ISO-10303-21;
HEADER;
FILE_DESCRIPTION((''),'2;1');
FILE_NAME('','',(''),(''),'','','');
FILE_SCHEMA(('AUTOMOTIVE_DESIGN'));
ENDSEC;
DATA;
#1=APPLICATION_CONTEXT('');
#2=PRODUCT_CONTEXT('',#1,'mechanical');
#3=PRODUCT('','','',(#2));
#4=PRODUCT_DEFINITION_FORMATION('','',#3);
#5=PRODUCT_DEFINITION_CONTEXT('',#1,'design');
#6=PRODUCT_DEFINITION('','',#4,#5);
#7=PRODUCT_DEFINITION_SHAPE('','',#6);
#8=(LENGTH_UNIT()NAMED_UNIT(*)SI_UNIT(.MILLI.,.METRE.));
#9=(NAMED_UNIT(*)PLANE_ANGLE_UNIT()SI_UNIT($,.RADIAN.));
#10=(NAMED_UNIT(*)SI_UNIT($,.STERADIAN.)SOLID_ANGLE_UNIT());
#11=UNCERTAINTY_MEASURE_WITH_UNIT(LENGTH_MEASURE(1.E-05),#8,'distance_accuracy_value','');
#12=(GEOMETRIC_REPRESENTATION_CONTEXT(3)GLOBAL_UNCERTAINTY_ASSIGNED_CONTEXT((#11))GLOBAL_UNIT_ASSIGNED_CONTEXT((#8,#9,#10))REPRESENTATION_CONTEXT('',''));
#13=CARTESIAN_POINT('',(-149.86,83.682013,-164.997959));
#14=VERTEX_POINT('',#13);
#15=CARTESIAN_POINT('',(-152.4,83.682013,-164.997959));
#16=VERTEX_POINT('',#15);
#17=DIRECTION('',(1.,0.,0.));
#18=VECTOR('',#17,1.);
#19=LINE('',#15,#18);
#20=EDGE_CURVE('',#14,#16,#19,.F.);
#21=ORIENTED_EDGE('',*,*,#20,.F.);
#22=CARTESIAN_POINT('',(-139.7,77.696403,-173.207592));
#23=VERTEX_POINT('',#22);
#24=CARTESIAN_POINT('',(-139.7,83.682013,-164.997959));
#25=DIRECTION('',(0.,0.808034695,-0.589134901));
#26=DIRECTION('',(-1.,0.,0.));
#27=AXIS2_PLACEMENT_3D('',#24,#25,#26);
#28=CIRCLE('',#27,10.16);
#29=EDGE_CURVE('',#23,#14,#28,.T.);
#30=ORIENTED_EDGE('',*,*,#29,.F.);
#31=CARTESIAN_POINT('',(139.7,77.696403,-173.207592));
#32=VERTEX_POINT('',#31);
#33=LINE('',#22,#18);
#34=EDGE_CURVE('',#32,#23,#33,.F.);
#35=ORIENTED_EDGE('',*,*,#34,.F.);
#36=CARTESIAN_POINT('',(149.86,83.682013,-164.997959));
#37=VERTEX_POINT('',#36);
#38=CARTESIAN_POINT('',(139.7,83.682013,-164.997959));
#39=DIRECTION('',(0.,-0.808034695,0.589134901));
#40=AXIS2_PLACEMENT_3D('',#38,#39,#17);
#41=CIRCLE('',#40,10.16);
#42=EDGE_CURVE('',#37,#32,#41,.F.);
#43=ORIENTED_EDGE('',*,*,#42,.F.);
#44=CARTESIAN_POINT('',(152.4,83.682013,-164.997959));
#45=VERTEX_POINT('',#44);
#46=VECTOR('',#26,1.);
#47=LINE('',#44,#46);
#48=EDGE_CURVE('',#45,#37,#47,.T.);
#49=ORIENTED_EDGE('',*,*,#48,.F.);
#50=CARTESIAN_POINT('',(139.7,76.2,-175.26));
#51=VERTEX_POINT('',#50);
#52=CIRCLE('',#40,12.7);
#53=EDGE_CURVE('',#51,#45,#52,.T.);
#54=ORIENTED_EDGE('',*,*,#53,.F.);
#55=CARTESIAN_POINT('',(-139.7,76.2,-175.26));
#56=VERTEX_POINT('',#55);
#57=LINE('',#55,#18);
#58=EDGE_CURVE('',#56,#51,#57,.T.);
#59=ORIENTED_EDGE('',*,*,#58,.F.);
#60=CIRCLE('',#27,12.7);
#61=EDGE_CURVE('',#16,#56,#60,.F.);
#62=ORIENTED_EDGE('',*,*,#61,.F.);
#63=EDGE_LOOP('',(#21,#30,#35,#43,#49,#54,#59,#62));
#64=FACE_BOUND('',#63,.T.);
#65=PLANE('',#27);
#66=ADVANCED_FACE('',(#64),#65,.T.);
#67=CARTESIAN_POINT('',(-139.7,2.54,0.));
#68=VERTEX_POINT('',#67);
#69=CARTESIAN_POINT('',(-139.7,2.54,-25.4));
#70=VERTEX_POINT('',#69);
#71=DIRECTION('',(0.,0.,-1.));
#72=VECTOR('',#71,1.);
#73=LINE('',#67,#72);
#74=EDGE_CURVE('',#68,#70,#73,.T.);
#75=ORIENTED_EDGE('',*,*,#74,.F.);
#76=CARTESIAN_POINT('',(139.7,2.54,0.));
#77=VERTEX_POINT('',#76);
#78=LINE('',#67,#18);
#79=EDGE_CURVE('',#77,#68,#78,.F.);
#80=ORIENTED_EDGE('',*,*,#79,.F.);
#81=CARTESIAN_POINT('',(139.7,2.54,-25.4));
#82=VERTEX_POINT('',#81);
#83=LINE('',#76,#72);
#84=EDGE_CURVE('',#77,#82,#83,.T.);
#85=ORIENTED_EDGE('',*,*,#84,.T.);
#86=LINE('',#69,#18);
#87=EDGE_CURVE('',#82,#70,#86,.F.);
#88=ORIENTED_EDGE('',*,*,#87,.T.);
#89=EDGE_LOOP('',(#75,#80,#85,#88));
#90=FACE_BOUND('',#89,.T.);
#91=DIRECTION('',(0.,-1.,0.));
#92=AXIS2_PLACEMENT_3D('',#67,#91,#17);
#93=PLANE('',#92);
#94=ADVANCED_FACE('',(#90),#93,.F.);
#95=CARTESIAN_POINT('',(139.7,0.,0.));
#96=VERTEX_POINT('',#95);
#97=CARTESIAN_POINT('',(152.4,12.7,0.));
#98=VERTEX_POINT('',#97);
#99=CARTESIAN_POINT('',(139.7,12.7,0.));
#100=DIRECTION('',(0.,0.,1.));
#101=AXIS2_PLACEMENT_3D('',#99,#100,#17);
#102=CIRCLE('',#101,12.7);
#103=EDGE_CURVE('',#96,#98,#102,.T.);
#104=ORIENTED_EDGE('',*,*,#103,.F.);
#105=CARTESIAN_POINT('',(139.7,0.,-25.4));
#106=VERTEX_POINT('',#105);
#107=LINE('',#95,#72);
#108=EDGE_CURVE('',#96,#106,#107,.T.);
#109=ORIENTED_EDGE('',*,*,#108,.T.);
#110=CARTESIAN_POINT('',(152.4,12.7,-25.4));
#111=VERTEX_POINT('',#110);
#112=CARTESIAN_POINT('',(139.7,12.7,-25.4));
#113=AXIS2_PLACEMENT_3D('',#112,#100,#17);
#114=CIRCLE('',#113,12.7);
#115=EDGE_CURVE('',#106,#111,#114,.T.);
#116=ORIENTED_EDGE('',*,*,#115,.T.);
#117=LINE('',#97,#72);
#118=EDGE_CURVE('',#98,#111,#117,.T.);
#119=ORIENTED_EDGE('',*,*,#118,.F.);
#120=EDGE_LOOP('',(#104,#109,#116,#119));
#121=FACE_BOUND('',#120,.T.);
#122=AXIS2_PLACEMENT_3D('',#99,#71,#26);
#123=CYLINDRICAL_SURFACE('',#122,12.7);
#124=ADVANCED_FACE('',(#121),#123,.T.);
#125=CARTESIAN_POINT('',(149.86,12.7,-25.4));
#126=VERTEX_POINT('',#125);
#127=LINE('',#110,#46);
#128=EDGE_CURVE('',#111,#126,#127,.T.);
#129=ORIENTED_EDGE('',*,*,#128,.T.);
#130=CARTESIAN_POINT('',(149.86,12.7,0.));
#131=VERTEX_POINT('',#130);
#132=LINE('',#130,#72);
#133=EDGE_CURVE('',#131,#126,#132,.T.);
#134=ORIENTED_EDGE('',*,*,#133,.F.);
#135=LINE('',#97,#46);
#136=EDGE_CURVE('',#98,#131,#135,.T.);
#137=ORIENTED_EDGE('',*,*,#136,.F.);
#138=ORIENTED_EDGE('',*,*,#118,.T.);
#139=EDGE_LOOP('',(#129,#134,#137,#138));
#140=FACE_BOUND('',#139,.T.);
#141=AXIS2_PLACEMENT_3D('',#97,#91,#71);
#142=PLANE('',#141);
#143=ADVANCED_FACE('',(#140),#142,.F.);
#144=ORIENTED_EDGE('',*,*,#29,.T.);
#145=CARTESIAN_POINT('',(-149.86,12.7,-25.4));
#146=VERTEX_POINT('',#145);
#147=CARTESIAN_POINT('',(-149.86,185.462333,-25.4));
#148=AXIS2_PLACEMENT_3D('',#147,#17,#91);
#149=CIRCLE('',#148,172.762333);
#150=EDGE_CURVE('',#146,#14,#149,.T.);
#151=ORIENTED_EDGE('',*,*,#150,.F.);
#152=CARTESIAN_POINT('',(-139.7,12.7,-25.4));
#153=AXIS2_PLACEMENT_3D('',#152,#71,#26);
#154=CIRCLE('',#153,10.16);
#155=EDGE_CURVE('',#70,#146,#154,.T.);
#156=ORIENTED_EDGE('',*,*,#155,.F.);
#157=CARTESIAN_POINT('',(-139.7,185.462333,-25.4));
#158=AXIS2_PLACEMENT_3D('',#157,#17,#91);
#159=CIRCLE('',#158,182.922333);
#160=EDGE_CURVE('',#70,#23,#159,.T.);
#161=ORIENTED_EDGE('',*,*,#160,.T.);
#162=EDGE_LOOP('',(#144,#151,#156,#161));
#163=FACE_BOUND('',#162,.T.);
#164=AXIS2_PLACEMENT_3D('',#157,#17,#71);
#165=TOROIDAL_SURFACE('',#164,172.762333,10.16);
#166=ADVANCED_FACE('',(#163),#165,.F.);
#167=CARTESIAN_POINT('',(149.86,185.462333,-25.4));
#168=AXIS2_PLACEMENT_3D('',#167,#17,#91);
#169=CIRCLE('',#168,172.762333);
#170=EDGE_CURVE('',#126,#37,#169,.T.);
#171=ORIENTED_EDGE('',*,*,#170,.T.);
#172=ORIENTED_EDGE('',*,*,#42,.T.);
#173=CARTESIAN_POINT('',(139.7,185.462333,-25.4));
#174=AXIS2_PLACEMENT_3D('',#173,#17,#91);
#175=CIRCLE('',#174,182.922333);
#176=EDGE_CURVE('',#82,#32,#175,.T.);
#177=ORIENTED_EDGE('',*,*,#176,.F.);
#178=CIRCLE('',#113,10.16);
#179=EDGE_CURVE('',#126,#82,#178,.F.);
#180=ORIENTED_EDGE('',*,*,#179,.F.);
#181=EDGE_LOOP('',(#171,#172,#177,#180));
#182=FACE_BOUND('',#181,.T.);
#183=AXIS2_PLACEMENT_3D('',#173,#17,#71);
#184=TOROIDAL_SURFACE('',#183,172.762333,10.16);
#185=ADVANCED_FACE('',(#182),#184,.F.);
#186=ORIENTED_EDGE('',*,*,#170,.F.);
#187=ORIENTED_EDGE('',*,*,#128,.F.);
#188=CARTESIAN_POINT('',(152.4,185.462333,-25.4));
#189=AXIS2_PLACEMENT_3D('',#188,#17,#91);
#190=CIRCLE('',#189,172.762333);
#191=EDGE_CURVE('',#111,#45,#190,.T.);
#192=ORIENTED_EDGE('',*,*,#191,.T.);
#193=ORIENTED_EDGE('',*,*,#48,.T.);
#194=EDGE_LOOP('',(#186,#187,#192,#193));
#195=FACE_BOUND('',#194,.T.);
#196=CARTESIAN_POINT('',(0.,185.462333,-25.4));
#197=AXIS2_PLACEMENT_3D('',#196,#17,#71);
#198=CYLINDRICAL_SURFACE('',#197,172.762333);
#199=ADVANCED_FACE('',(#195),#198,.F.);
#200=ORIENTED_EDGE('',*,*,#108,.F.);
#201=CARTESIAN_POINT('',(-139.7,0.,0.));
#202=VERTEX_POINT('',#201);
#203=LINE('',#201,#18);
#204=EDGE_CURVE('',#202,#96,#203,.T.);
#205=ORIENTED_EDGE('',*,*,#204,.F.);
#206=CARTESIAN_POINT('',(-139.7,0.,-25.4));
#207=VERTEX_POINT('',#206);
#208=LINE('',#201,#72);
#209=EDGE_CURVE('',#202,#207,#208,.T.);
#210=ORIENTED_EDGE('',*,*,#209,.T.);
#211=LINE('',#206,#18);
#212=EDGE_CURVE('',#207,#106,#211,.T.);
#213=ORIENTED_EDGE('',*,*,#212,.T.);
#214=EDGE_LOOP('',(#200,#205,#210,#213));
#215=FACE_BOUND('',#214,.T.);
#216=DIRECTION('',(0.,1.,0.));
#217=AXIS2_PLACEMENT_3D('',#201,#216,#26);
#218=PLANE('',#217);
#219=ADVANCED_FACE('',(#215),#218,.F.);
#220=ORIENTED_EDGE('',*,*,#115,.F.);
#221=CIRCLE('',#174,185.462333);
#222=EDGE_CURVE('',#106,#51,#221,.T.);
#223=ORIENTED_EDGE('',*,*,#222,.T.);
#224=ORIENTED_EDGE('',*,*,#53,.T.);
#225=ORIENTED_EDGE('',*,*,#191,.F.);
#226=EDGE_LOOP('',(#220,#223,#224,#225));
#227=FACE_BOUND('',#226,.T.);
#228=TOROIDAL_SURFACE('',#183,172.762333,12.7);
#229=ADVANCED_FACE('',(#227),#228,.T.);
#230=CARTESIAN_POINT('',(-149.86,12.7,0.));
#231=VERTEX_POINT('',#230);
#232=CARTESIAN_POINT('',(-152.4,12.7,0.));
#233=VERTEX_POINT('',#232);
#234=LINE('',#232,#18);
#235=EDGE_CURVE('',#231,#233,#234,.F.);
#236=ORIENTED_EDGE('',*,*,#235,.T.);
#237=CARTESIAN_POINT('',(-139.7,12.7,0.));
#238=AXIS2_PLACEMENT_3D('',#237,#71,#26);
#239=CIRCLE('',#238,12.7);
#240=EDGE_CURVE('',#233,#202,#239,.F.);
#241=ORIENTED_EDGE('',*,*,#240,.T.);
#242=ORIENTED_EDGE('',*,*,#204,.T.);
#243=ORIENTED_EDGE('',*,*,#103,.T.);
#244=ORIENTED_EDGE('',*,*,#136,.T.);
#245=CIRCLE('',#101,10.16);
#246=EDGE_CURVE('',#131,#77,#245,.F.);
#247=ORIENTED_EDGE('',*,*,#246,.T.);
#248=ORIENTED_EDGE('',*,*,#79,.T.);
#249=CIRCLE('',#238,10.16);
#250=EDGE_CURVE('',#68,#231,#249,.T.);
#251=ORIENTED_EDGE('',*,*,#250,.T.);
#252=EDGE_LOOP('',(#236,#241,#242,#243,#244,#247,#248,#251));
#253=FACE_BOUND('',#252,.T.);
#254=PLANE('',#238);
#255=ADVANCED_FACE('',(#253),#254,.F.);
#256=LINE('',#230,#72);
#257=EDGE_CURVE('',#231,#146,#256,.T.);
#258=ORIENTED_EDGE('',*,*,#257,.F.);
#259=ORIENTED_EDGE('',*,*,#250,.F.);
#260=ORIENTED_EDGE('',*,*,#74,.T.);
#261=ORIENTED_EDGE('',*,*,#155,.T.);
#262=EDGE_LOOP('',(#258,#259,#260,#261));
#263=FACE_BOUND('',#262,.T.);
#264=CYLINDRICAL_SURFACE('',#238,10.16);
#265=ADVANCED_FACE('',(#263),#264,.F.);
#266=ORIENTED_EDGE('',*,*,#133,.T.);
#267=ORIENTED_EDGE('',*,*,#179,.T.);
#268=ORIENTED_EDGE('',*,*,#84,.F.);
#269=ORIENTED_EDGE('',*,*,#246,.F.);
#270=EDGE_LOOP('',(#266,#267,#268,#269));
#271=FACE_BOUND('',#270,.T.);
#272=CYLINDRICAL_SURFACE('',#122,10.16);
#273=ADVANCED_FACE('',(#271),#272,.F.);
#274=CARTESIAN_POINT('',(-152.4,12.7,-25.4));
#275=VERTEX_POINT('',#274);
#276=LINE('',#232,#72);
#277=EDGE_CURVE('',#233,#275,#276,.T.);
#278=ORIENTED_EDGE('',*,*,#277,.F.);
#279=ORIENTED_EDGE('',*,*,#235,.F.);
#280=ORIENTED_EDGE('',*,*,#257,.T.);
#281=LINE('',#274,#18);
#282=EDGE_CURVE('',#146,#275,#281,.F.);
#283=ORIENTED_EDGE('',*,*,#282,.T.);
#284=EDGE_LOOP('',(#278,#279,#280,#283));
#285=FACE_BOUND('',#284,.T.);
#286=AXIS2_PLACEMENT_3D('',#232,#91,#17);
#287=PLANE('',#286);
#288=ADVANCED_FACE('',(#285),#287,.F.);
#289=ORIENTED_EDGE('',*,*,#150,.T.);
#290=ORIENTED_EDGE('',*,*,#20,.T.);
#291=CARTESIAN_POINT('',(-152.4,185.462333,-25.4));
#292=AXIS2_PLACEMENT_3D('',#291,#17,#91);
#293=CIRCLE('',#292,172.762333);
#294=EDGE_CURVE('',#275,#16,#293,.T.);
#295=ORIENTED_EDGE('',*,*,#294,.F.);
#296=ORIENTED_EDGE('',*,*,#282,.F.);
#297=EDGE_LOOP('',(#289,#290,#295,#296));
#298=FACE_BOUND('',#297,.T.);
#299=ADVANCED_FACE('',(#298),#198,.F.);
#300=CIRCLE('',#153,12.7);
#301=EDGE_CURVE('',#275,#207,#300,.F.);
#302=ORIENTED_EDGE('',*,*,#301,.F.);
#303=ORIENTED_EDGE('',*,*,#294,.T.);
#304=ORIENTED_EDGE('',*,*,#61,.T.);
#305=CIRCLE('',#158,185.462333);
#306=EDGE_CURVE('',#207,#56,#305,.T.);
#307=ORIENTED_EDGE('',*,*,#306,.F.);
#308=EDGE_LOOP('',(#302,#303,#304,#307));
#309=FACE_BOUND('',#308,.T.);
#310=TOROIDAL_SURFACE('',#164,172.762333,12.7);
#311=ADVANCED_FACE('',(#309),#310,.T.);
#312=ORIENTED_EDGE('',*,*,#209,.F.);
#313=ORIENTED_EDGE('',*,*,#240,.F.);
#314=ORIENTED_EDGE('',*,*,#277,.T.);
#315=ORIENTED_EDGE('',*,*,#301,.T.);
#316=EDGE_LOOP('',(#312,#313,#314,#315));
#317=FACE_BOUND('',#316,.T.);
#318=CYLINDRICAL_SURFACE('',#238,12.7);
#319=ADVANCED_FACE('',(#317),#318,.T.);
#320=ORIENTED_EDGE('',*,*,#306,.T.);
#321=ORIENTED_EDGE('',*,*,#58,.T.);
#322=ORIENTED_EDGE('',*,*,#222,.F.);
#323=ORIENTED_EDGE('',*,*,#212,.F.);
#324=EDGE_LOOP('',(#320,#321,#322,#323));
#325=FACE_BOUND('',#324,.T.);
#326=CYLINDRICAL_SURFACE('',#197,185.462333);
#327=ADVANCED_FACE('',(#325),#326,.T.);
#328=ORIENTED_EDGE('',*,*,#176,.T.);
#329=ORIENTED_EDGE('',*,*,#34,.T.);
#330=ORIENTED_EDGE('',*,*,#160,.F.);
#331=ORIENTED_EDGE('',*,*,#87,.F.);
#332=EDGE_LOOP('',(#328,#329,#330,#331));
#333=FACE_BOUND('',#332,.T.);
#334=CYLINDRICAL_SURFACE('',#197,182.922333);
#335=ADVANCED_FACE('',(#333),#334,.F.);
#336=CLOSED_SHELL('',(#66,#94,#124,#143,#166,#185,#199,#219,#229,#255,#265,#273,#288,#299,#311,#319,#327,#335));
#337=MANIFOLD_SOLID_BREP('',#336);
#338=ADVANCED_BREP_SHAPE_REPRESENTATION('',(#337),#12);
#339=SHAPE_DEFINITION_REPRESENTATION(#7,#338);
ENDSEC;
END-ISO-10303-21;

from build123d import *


with BuildPart() as part:
    # Sweep1: sweep along a path in Sketch2
    with BuildLine(Plane(origin=(0, 0, 0), x_dir=(0, 0, -1), z_dir=(1, 0, 0))) as sweep1_path:
        Line((0, 0), (25.4, 0))
        ThreePointArc((25.4, 0), (109.460186176, 20.143967187), (175.26, 76.2))
    # Sketch1 → Sweep1 (sweep)
    with BuildSketch(Plane.XY):
        with BuildLine():
            Line((-139.7, 0), (139.7, 0))
            ThreePointArc((139.7, 0), (148.680256121, 3.719743879), (152.4, 12.7))
            Line((152.4, 12.7), (149.86, 12.7))
            ThreePointArc((149.86, 12.7), (146.884204897, 5.515795103), (139.7, 2.54))
            Line((139.7, 2.54), (-139.7, 2.54))
            ThreePointArc((-139.7, 2.54), (-146.884204897, 5.515795103), (-149.86, 12.7))
            Line((-149.86, 12.7), (-152.4, 12.7))
            ThreePointArc((-152.4, 12.7), (-148.680256121, 3.719743879), (-139.7, 0))
        make_face()
    sweep(path=sweep1_path.line)


solid = part.part
